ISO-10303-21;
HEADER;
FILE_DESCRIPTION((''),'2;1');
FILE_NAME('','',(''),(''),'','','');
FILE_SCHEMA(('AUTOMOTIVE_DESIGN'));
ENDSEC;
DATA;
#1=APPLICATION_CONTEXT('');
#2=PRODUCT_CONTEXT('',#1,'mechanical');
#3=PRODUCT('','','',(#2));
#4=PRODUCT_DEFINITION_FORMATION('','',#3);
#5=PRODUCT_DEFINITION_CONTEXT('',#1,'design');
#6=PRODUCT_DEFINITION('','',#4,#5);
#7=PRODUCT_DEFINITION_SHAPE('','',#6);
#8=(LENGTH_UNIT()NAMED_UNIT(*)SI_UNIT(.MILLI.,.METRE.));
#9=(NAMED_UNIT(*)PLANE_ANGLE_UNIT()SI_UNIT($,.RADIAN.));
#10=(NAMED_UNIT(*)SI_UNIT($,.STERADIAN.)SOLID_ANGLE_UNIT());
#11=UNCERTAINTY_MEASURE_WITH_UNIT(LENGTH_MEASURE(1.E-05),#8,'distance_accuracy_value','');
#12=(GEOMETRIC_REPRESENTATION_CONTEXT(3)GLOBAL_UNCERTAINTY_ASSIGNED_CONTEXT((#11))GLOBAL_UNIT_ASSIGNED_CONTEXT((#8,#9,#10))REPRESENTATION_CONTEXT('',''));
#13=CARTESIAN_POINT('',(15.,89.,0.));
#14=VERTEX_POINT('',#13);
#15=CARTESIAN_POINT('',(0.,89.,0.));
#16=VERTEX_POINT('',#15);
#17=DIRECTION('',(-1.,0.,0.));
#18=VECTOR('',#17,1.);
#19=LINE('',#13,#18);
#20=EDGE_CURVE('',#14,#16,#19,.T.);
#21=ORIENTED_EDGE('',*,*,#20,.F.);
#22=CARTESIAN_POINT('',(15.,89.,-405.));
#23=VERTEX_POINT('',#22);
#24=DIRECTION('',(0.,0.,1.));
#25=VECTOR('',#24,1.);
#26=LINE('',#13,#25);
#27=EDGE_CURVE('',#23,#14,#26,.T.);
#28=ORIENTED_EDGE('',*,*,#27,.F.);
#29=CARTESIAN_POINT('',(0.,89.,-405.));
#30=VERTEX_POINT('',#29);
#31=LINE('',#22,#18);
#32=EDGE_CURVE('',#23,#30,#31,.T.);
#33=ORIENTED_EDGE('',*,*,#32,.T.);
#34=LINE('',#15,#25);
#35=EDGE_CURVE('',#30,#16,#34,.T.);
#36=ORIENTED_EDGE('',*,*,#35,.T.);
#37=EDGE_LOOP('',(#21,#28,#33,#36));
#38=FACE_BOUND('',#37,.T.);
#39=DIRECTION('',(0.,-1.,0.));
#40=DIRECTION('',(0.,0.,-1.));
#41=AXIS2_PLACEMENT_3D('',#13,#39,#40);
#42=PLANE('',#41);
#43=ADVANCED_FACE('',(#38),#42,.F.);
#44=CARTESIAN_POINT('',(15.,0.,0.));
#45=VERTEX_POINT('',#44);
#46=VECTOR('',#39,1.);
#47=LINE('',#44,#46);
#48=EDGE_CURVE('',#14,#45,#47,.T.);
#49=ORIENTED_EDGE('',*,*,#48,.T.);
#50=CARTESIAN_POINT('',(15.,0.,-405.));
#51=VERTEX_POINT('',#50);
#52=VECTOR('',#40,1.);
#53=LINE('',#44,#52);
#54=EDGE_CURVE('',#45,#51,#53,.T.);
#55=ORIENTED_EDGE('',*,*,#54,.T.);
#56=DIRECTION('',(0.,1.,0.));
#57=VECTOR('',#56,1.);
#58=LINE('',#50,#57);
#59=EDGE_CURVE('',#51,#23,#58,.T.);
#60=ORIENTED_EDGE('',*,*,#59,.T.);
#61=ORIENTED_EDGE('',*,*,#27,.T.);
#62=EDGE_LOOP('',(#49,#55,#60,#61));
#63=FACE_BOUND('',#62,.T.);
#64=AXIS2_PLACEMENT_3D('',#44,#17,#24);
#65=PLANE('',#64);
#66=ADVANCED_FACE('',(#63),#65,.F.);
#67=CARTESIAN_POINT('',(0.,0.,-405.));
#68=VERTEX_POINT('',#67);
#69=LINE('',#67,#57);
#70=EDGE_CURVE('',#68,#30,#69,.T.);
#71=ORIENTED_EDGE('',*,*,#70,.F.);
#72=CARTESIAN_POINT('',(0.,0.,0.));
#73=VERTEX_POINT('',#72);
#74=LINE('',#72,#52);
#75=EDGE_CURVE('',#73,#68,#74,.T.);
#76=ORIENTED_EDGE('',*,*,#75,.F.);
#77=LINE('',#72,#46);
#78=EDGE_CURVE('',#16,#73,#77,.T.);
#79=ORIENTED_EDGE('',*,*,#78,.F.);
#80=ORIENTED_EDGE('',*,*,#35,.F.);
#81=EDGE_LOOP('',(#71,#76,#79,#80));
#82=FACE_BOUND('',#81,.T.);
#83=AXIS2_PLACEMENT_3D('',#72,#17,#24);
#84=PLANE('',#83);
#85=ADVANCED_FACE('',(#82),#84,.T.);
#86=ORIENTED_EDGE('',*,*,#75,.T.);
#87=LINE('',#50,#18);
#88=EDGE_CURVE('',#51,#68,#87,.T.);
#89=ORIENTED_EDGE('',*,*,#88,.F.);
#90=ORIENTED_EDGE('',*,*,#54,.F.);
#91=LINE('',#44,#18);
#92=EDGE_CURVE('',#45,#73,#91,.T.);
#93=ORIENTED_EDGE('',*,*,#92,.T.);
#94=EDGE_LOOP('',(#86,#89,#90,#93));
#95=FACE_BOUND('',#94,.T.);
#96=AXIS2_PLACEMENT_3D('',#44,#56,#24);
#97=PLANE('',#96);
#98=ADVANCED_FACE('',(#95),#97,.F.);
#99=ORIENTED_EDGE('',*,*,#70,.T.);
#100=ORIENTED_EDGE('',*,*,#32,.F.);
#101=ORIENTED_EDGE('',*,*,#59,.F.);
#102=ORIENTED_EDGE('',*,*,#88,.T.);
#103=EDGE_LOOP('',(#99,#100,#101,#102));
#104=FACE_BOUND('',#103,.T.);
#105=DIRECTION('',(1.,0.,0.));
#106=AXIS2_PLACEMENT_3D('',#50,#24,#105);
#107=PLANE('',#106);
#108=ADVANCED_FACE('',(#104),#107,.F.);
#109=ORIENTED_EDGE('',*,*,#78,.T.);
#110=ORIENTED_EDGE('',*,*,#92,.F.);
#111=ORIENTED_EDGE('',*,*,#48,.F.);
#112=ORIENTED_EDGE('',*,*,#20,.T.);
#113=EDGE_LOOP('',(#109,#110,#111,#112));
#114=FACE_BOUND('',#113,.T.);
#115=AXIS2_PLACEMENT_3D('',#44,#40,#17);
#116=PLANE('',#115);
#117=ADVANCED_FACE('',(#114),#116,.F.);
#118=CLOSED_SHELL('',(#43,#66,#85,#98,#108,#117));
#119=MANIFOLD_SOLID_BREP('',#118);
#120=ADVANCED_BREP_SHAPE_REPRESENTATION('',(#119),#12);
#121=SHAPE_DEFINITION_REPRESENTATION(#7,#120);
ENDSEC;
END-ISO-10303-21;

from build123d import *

# Parameters (mm, degrees)
CROQUIS1_W              = 405
CROQUIS1_H              = 89
SALIENTE_EXTRUIR1_DEPTH = 15


with BuildPart() as part:
    # Croquis1 → Saliente-Extruir1 (new body)
    with BuildSketch(Plane(origin=(0, 0, 0), x_dir=(0, 0, -1), z_dir=(1, 0, 0))):
        with Locations((202.5, 44.5)):
            Rectangle(CROQUIS1_W, CROQUIS1_H)
    extrude(amount=SALIENTE_EXTRUIR1_DEPTH)


solid = part.part
